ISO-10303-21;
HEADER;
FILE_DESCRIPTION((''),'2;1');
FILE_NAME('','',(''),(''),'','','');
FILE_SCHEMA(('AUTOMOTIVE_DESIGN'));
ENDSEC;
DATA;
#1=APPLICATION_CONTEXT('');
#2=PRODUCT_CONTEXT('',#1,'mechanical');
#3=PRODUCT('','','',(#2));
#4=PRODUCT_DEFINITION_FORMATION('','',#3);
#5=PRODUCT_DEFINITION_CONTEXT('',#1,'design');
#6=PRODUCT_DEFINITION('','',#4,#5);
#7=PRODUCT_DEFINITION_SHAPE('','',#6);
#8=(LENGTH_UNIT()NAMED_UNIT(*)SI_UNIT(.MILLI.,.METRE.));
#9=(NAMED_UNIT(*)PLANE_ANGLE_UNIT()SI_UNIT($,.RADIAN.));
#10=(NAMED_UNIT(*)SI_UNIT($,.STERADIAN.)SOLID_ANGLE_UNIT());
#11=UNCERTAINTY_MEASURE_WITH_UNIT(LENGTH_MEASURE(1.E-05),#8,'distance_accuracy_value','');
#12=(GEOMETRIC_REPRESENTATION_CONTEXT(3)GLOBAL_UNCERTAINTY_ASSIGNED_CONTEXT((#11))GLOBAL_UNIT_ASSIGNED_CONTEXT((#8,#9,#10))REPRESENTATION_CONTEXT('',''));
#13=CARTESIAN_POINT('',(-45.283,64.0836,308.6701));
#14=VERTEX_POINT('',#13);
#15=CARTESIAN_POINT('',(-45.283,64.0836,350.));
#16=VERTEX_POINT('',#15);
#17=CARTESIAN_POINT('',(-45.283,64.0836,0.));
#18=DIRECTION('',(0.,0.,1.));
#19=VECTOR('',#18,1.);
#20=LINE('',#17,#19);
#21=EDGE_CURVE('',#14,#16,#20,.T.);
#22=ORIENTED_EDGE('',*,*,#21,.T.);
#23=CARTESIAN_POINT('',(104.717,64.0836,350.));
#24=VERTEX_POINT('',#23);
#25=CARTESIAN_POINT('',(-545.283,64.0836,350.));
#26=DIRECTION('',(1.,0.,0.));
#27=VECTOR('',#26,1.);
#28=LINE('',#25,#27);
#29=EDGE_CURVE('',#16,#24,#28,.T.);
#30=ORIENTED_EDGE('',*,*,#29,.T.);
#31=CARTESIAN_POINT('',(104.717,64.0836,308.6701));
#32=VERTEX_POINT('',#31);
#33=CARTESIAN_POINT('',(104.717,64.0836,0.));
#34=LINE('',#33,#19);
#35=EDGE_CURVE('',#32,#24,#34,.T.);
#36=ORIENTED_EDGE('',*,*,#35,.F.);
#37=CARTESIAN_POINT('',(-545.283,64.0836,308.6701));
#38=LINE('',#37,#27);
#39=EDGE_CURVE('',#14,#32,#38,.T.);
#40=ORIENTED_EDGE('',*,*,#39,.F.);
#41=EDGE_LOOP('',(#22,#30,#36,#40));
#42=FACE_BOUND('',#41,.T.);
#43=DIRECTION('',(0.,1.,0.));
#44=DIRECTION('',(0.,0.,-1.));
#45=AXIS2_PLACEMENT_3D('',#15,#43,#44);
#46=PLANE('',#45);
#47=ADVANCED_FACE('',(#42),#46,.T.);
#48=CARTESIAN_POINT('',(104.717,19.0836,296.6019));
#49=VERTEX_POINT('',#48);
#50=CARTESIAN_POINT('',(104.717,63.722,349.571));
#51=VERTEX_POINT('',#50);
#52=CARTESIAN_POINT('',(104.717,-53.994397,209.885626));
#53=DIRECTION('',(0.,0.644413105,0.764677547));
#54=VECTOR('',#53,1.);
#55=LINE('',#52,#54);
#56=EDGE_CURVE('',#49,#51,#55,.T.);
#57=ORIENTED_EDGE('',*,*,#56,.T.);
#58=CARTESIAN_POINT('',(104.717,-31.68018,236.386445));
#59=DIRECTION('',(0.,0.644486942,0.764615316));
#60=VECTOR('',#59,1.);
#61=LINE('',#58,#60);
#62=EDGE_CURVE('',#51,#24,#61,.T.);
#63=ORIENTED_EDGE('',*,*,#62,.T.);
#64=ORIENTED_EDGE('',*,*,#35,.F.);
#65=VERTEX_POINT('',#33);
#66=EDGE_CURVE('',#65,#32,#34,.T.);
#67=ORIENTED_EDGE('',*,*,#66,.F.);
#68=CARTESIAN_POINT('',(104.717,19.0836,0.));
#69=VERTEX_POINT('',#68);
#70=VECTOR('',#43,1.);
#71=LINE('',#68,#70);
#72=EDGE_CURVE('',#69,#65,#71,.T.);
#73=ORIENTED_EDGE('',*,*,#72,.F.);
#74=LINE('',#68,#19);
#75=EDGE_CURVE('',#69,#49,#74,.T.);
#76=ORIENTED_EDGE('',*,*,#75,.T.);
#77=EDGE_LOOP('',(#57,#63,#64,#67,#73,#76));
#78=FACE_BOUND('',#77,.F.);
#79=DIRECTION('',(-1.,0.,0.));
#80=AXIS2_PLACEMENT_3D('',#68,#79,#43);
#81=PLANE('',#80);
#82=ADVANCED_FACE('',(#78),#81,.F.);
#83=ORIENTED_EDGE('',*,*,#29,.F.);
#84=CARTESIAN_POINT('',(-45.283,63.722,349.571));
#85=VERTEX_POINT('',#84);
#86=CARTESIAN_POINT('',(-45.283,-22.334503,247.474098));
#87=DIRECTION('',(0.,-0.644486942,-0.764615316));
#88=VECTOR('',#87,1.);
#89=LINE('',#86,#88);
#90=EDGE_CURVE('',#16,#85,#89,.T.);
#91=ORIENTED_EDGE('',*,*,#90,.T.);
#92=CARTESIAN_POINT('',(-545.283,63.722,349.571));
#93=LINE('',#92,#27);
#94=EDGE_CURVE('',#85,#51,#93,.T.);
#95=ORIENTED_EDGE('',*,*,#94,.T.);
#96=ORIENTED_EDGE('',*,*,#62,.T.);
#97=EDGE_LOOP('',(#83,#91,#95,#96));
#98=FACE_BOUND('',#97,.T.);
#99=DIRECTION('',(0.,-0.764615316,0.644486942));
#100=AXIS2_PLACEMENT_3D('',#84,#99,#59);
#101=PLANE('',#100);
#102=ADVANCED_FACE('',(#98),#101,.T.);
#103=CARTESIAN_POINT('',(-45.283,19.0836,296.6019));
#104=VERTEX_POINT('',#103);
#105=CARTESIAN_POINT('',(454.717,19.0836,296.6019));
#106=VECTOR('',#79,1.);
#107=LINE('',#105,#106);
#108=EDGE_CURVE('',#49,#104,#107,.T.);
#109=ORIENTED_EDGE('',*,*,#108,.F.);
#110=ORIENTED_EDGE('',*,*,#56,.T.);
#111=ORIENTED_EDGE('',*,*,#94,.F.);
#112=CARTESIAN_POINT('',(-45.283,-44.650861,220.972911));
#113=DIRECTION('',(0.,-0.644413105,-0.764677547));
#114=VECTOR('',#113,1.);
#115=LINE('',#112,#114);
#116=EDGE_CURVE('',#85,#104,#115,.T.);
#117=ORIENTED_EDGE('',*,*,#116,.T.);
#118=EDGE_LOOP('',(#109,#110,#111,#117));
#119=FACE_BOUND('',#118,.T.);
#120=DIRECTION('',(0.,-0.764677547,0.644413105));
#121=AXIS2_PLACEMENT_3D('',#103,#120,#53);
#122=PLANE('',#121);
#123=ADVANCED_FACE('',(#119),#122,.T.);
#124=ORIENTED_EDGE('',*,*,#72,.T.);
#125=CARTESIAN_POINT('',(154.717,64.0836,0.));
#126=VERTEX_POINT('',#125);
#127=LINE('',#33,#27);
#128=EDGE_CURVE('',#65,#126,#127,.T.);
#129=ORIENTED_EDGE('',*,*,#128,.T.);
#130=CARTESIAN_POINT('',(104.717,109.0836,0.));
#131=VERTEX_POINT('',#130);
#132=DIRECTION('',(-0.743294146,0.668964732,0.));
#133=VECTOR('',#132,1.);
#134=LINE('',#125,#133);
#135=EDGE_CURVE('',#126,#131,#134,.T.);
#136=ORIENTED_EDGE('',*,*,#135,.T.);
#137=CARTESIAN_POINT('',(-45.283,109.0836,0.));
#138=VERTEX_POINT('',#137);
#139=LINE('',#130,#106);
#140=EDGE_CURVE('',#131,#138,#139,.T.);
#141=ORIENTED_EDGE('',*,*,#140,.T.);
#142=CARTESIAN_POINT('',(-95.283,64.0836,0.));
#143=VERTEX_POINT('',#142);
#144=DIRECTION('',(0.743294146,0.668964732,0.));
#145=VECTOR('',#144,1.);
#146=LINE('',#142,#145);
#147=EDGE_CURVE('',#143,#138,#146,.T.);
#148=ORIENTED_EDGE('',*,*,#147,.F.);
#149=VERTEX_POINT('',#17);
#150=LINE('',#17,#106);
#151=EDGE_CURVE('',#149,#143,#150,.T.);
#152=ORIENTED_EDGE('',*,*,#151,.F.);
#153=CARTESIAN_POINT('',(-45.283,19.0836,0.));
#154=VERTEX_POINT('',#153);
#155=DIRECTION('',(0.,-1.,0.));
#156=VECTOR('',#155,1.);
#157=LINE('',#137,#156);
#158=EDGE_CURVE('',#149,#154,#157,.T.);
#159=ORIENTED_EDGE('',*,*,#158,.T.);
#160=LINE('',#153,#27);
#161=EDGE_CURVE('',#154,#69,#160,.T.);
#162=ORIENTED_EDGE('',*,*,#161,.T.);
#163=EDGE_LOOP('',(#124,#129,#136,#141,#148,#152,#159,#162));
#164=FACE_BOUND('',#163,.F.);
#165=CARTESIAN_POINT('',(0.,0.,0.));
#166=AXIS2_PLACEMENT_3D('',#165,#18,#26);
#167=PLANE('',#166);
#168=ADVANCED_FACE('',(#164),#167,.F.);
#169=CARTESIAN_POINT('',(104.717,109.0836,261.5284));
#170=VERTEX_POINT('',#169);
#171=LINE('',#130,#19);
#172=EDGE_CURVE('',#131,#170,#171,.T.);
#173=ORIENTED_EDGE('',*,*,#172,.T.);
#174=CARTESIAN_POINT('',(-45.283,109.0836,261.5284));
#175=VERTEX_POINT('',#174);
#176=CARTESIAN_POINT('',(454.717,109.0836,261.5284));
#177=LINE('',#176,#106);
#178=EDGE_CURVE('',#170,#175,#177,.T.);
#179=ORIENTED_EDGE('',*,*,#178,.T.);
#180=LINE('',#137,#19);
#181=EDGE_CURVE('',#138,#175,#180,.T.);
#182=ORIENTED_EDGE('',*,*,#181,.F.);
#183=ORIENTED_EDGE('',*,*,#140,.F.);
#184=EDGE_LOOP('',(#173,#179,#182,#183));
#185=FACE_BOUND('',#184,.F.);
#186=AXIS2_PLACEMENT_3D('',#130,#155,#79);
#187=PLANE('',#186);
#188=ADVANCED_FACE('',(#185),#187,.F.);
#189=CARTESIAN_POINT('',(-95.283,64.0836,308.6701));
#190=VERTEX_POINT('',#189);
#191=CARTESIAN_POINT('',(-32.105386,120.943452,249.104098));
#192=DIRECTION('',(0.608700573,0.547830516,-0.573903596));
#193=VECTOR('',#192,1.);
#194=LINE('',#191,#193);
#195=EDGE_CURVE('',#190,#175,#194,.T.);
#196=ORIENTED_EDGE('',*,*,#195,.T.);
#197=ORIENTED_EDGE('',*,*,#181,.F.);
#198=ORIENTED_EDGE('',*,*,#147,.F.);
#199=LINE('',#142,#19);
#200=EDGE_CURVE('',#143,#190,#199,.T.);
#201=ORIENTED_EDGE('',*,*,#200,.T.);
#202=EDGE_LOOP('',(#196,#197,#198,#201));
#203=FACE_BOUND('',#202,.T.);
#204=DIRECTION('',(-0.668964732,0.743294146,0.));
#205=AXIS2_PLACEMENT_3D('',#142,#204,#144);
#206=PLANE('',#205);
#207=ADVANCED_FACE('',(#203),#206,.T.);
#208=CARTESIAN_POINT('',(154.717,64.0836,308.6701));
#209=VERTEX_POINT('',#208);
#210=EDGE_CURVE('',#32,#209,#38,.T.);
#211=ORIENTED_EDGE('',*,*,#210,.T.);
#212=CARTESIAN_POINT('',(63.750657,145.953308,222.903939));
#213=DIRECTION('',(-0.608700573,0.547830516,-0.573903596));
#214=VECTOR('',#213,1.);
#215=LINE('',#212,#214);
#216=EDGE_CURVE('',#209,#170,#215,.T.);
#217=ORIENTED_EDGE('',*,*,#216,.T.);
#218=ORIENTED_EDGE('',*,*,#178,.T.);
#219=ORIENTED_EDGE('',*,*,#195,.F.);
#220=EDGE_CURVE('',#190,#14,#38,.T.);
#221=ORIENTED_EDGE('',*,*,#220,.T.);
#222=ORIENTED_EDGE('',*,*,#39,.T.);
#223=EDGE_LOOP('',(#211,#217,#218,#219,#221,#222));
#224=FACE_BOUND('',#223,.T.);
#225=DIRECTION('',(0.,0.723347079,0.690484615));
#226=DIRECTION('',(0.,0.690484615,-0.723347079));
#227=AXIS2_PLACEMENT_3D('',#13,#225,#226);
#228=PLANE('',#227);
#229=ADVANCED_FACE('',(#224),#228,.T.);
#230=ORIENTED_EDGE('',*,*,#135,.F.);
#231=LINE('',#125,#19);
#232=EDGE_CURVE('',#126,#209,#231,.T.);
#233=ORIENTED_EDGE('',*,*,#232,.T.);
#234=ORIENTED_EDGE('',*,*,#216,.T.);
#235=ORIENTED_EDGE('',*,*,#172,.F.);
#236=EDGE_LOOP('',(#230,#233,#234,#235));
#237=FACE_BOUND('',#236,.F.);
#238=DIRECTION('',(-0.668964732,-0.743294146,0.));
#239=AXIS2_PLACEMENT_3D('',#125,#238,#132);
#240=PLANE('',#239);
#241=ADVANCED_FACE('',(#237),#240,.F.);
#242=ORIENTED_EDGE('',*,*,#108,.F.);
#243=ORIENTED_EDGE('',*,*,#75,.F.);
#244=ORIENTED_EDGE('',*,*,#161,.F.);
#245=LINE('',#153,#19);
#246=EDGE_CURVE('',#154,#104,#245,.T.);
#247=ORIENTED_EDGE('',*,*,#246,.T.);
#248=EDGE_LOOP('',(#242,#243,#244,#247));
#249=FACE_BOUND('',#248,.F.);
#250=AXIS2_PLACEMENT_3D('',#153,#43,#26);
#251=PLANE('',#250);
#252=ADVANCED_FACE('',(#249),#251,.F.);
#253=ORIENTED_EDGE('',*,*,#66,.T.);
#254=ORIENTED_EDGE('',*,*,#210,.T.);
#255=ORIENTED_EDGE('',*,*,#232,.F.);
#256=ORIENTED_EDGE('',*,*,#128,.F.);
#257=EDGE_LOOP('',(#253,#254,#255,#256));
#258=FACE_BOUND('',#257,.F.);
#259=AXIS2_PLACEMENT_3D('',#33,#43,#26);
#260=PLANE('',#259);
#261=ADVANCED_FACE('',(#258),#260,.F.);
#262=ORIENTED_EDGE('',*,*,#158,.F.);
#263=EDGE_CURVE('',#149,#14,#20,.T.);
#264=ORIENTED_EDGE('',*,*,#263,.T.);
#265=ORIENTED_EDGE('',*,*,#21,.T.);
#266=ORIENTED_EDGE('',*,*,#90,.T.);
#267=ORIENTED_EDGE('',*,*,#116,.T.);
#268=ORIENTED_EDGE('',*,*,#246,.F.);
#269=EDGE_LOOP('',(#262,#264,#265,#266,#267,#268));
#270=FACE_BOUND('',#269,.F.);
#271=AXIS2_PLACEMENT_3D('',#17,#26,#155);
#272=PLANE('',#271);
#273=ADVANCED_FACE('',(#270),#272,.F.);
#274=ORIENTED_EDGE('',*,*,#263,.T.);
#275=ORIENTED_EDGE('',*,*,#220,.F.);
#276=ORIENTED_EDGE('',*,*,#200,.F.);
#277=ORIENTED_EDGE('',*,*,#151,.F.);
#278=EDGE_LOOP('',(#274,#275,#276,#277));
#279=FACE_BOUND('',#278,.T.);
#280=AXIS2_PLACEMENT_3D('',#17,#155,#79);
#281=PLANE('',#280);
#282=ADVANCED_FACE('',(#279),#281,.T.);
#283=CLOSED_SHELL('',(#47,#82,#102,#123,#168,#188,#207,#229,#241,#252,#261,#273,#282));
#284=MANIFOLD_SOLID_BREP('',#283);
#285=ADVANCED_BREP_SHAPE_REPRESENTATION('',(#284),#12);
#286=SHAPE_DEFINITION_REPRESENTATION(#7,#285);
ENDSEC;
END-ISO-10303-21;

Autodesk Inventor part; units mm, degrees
ref_plane "YZ Plane" through (0, 0, 0) normal (1, 0, 0) x (0, 1, 0)
ref_plane "XZ Plane" through (0, 0, 0) normal (0, 1, 0) x (-1, 0, 0)
ref_plane "XY Plane" through (0, 0, 0) normal (0, 0, 1) x (1, 0, 0)
sketch "Эскиз2" plane through (0, 0, 0) normal (0, 0, 1) x (1, 0, 0)
  line L0 (104.717, 109.0836) -> (-45.283, 109.0836)
  line L1 (-45.283, 109.0836) -> (-45.283, 19.0836)
  line L2 (-45.283, 19.0836) -> (104.717, 19.0836)
  line L3 (104.717, 19.0836) -> (104.717, 109.0836)
  line L4 (-95.283, 19.0836) -> (154.717, 19.0836)
  line L5 (154.717, 19.0836) -> (154.717, 109.0836)
  line L6 (154.717, 109.0836) -> (-95.283, 109.0836)
  line L7 (-95.283, 109.0836) -> (-95.283, 19.0836)
  line L8 (154.717, 19.0836) -> (104.717, 19.0836)
  line L9 (104.717, 19.0836) -> (104.717, -10.9164)
  line L10 (104.717, -10.9164) -> (154.717, -10.9164)
  line L11 (154.717, -10.9164) -> (154.717, 19.0836)
  line L12 (-45.283, 19.0836) -> (-95.283, 19.0836)
  line L13 (-95.283, 19.0836) -> (-95.283, -10.9164)
  line L14 (-95.283, -10.9164) -> (-45.283, -10.9164)
  line L15 (-45.283, -10.9164) -> (-45.283, 19.0836)
  line L16 (-45.283, 64.0836) -> (-95.283, 64.0836)
  line L17 (-95.283, 64.0836) -> (-45.283, 109.0836)
  line L18 (104.717, 64.0836) -> (154.717, 64.0836)
  line L19 (154.717, 64.0836) -> (104.717, 109.0836)
  point P0 (0, 0)
  dimension "d0" = 150
  dimension "d1" = 50
  dimension "d2" = 50
  dimension "d3" = 30
  dimension "d4" = 90
  dimension "d5" = 0
  dimension "d6" = 0
extrude "Выдавливание1" add sketch "Эскиз2" along normal blind 350 contours L3 L2 L1 L0 | L19 L18 L3 | L1 L16 L17
sketch "Эскиз3" plane through (-45.283, 19.0836, 0) normal (-1, 0, 0) x (0, 0, 1)
  line L0 (0, 0) -> (350, 0) projected
  line L1 (296.6019, 0) -> (349.571, 44.6384)
  line L2 (350, 45) -> (350, 0) projected
  line L3 (349.571, 44.6384) -> (350, 45)
  line L4 (350, 45) -> (308.6701, 45)
  line L5 (0, 45) -> (350, 45) projected
  line L6 (308.6701, 45) -> (261.5284, 90)
  line L7 (0, 90) -> (350, 90) projected
  line L8 (0, 45) -> (0, 90) projected
  line L9 (350, 0) -> (0, 0)
  line L10 (0, 0) -> (0, 90)
  line L11 (0, 90) -> (350, 90)
  line L12 (350, 90) -> (350, 0)
  point P0 (0, -19.0836)
extrude "Выдавливание2" cut sketch "Эскиз3" against normal mid plane 1000 contours L1 L3 L2 L0 | L6 L7 L12 L4
properties part number "пример корпуса 1"
